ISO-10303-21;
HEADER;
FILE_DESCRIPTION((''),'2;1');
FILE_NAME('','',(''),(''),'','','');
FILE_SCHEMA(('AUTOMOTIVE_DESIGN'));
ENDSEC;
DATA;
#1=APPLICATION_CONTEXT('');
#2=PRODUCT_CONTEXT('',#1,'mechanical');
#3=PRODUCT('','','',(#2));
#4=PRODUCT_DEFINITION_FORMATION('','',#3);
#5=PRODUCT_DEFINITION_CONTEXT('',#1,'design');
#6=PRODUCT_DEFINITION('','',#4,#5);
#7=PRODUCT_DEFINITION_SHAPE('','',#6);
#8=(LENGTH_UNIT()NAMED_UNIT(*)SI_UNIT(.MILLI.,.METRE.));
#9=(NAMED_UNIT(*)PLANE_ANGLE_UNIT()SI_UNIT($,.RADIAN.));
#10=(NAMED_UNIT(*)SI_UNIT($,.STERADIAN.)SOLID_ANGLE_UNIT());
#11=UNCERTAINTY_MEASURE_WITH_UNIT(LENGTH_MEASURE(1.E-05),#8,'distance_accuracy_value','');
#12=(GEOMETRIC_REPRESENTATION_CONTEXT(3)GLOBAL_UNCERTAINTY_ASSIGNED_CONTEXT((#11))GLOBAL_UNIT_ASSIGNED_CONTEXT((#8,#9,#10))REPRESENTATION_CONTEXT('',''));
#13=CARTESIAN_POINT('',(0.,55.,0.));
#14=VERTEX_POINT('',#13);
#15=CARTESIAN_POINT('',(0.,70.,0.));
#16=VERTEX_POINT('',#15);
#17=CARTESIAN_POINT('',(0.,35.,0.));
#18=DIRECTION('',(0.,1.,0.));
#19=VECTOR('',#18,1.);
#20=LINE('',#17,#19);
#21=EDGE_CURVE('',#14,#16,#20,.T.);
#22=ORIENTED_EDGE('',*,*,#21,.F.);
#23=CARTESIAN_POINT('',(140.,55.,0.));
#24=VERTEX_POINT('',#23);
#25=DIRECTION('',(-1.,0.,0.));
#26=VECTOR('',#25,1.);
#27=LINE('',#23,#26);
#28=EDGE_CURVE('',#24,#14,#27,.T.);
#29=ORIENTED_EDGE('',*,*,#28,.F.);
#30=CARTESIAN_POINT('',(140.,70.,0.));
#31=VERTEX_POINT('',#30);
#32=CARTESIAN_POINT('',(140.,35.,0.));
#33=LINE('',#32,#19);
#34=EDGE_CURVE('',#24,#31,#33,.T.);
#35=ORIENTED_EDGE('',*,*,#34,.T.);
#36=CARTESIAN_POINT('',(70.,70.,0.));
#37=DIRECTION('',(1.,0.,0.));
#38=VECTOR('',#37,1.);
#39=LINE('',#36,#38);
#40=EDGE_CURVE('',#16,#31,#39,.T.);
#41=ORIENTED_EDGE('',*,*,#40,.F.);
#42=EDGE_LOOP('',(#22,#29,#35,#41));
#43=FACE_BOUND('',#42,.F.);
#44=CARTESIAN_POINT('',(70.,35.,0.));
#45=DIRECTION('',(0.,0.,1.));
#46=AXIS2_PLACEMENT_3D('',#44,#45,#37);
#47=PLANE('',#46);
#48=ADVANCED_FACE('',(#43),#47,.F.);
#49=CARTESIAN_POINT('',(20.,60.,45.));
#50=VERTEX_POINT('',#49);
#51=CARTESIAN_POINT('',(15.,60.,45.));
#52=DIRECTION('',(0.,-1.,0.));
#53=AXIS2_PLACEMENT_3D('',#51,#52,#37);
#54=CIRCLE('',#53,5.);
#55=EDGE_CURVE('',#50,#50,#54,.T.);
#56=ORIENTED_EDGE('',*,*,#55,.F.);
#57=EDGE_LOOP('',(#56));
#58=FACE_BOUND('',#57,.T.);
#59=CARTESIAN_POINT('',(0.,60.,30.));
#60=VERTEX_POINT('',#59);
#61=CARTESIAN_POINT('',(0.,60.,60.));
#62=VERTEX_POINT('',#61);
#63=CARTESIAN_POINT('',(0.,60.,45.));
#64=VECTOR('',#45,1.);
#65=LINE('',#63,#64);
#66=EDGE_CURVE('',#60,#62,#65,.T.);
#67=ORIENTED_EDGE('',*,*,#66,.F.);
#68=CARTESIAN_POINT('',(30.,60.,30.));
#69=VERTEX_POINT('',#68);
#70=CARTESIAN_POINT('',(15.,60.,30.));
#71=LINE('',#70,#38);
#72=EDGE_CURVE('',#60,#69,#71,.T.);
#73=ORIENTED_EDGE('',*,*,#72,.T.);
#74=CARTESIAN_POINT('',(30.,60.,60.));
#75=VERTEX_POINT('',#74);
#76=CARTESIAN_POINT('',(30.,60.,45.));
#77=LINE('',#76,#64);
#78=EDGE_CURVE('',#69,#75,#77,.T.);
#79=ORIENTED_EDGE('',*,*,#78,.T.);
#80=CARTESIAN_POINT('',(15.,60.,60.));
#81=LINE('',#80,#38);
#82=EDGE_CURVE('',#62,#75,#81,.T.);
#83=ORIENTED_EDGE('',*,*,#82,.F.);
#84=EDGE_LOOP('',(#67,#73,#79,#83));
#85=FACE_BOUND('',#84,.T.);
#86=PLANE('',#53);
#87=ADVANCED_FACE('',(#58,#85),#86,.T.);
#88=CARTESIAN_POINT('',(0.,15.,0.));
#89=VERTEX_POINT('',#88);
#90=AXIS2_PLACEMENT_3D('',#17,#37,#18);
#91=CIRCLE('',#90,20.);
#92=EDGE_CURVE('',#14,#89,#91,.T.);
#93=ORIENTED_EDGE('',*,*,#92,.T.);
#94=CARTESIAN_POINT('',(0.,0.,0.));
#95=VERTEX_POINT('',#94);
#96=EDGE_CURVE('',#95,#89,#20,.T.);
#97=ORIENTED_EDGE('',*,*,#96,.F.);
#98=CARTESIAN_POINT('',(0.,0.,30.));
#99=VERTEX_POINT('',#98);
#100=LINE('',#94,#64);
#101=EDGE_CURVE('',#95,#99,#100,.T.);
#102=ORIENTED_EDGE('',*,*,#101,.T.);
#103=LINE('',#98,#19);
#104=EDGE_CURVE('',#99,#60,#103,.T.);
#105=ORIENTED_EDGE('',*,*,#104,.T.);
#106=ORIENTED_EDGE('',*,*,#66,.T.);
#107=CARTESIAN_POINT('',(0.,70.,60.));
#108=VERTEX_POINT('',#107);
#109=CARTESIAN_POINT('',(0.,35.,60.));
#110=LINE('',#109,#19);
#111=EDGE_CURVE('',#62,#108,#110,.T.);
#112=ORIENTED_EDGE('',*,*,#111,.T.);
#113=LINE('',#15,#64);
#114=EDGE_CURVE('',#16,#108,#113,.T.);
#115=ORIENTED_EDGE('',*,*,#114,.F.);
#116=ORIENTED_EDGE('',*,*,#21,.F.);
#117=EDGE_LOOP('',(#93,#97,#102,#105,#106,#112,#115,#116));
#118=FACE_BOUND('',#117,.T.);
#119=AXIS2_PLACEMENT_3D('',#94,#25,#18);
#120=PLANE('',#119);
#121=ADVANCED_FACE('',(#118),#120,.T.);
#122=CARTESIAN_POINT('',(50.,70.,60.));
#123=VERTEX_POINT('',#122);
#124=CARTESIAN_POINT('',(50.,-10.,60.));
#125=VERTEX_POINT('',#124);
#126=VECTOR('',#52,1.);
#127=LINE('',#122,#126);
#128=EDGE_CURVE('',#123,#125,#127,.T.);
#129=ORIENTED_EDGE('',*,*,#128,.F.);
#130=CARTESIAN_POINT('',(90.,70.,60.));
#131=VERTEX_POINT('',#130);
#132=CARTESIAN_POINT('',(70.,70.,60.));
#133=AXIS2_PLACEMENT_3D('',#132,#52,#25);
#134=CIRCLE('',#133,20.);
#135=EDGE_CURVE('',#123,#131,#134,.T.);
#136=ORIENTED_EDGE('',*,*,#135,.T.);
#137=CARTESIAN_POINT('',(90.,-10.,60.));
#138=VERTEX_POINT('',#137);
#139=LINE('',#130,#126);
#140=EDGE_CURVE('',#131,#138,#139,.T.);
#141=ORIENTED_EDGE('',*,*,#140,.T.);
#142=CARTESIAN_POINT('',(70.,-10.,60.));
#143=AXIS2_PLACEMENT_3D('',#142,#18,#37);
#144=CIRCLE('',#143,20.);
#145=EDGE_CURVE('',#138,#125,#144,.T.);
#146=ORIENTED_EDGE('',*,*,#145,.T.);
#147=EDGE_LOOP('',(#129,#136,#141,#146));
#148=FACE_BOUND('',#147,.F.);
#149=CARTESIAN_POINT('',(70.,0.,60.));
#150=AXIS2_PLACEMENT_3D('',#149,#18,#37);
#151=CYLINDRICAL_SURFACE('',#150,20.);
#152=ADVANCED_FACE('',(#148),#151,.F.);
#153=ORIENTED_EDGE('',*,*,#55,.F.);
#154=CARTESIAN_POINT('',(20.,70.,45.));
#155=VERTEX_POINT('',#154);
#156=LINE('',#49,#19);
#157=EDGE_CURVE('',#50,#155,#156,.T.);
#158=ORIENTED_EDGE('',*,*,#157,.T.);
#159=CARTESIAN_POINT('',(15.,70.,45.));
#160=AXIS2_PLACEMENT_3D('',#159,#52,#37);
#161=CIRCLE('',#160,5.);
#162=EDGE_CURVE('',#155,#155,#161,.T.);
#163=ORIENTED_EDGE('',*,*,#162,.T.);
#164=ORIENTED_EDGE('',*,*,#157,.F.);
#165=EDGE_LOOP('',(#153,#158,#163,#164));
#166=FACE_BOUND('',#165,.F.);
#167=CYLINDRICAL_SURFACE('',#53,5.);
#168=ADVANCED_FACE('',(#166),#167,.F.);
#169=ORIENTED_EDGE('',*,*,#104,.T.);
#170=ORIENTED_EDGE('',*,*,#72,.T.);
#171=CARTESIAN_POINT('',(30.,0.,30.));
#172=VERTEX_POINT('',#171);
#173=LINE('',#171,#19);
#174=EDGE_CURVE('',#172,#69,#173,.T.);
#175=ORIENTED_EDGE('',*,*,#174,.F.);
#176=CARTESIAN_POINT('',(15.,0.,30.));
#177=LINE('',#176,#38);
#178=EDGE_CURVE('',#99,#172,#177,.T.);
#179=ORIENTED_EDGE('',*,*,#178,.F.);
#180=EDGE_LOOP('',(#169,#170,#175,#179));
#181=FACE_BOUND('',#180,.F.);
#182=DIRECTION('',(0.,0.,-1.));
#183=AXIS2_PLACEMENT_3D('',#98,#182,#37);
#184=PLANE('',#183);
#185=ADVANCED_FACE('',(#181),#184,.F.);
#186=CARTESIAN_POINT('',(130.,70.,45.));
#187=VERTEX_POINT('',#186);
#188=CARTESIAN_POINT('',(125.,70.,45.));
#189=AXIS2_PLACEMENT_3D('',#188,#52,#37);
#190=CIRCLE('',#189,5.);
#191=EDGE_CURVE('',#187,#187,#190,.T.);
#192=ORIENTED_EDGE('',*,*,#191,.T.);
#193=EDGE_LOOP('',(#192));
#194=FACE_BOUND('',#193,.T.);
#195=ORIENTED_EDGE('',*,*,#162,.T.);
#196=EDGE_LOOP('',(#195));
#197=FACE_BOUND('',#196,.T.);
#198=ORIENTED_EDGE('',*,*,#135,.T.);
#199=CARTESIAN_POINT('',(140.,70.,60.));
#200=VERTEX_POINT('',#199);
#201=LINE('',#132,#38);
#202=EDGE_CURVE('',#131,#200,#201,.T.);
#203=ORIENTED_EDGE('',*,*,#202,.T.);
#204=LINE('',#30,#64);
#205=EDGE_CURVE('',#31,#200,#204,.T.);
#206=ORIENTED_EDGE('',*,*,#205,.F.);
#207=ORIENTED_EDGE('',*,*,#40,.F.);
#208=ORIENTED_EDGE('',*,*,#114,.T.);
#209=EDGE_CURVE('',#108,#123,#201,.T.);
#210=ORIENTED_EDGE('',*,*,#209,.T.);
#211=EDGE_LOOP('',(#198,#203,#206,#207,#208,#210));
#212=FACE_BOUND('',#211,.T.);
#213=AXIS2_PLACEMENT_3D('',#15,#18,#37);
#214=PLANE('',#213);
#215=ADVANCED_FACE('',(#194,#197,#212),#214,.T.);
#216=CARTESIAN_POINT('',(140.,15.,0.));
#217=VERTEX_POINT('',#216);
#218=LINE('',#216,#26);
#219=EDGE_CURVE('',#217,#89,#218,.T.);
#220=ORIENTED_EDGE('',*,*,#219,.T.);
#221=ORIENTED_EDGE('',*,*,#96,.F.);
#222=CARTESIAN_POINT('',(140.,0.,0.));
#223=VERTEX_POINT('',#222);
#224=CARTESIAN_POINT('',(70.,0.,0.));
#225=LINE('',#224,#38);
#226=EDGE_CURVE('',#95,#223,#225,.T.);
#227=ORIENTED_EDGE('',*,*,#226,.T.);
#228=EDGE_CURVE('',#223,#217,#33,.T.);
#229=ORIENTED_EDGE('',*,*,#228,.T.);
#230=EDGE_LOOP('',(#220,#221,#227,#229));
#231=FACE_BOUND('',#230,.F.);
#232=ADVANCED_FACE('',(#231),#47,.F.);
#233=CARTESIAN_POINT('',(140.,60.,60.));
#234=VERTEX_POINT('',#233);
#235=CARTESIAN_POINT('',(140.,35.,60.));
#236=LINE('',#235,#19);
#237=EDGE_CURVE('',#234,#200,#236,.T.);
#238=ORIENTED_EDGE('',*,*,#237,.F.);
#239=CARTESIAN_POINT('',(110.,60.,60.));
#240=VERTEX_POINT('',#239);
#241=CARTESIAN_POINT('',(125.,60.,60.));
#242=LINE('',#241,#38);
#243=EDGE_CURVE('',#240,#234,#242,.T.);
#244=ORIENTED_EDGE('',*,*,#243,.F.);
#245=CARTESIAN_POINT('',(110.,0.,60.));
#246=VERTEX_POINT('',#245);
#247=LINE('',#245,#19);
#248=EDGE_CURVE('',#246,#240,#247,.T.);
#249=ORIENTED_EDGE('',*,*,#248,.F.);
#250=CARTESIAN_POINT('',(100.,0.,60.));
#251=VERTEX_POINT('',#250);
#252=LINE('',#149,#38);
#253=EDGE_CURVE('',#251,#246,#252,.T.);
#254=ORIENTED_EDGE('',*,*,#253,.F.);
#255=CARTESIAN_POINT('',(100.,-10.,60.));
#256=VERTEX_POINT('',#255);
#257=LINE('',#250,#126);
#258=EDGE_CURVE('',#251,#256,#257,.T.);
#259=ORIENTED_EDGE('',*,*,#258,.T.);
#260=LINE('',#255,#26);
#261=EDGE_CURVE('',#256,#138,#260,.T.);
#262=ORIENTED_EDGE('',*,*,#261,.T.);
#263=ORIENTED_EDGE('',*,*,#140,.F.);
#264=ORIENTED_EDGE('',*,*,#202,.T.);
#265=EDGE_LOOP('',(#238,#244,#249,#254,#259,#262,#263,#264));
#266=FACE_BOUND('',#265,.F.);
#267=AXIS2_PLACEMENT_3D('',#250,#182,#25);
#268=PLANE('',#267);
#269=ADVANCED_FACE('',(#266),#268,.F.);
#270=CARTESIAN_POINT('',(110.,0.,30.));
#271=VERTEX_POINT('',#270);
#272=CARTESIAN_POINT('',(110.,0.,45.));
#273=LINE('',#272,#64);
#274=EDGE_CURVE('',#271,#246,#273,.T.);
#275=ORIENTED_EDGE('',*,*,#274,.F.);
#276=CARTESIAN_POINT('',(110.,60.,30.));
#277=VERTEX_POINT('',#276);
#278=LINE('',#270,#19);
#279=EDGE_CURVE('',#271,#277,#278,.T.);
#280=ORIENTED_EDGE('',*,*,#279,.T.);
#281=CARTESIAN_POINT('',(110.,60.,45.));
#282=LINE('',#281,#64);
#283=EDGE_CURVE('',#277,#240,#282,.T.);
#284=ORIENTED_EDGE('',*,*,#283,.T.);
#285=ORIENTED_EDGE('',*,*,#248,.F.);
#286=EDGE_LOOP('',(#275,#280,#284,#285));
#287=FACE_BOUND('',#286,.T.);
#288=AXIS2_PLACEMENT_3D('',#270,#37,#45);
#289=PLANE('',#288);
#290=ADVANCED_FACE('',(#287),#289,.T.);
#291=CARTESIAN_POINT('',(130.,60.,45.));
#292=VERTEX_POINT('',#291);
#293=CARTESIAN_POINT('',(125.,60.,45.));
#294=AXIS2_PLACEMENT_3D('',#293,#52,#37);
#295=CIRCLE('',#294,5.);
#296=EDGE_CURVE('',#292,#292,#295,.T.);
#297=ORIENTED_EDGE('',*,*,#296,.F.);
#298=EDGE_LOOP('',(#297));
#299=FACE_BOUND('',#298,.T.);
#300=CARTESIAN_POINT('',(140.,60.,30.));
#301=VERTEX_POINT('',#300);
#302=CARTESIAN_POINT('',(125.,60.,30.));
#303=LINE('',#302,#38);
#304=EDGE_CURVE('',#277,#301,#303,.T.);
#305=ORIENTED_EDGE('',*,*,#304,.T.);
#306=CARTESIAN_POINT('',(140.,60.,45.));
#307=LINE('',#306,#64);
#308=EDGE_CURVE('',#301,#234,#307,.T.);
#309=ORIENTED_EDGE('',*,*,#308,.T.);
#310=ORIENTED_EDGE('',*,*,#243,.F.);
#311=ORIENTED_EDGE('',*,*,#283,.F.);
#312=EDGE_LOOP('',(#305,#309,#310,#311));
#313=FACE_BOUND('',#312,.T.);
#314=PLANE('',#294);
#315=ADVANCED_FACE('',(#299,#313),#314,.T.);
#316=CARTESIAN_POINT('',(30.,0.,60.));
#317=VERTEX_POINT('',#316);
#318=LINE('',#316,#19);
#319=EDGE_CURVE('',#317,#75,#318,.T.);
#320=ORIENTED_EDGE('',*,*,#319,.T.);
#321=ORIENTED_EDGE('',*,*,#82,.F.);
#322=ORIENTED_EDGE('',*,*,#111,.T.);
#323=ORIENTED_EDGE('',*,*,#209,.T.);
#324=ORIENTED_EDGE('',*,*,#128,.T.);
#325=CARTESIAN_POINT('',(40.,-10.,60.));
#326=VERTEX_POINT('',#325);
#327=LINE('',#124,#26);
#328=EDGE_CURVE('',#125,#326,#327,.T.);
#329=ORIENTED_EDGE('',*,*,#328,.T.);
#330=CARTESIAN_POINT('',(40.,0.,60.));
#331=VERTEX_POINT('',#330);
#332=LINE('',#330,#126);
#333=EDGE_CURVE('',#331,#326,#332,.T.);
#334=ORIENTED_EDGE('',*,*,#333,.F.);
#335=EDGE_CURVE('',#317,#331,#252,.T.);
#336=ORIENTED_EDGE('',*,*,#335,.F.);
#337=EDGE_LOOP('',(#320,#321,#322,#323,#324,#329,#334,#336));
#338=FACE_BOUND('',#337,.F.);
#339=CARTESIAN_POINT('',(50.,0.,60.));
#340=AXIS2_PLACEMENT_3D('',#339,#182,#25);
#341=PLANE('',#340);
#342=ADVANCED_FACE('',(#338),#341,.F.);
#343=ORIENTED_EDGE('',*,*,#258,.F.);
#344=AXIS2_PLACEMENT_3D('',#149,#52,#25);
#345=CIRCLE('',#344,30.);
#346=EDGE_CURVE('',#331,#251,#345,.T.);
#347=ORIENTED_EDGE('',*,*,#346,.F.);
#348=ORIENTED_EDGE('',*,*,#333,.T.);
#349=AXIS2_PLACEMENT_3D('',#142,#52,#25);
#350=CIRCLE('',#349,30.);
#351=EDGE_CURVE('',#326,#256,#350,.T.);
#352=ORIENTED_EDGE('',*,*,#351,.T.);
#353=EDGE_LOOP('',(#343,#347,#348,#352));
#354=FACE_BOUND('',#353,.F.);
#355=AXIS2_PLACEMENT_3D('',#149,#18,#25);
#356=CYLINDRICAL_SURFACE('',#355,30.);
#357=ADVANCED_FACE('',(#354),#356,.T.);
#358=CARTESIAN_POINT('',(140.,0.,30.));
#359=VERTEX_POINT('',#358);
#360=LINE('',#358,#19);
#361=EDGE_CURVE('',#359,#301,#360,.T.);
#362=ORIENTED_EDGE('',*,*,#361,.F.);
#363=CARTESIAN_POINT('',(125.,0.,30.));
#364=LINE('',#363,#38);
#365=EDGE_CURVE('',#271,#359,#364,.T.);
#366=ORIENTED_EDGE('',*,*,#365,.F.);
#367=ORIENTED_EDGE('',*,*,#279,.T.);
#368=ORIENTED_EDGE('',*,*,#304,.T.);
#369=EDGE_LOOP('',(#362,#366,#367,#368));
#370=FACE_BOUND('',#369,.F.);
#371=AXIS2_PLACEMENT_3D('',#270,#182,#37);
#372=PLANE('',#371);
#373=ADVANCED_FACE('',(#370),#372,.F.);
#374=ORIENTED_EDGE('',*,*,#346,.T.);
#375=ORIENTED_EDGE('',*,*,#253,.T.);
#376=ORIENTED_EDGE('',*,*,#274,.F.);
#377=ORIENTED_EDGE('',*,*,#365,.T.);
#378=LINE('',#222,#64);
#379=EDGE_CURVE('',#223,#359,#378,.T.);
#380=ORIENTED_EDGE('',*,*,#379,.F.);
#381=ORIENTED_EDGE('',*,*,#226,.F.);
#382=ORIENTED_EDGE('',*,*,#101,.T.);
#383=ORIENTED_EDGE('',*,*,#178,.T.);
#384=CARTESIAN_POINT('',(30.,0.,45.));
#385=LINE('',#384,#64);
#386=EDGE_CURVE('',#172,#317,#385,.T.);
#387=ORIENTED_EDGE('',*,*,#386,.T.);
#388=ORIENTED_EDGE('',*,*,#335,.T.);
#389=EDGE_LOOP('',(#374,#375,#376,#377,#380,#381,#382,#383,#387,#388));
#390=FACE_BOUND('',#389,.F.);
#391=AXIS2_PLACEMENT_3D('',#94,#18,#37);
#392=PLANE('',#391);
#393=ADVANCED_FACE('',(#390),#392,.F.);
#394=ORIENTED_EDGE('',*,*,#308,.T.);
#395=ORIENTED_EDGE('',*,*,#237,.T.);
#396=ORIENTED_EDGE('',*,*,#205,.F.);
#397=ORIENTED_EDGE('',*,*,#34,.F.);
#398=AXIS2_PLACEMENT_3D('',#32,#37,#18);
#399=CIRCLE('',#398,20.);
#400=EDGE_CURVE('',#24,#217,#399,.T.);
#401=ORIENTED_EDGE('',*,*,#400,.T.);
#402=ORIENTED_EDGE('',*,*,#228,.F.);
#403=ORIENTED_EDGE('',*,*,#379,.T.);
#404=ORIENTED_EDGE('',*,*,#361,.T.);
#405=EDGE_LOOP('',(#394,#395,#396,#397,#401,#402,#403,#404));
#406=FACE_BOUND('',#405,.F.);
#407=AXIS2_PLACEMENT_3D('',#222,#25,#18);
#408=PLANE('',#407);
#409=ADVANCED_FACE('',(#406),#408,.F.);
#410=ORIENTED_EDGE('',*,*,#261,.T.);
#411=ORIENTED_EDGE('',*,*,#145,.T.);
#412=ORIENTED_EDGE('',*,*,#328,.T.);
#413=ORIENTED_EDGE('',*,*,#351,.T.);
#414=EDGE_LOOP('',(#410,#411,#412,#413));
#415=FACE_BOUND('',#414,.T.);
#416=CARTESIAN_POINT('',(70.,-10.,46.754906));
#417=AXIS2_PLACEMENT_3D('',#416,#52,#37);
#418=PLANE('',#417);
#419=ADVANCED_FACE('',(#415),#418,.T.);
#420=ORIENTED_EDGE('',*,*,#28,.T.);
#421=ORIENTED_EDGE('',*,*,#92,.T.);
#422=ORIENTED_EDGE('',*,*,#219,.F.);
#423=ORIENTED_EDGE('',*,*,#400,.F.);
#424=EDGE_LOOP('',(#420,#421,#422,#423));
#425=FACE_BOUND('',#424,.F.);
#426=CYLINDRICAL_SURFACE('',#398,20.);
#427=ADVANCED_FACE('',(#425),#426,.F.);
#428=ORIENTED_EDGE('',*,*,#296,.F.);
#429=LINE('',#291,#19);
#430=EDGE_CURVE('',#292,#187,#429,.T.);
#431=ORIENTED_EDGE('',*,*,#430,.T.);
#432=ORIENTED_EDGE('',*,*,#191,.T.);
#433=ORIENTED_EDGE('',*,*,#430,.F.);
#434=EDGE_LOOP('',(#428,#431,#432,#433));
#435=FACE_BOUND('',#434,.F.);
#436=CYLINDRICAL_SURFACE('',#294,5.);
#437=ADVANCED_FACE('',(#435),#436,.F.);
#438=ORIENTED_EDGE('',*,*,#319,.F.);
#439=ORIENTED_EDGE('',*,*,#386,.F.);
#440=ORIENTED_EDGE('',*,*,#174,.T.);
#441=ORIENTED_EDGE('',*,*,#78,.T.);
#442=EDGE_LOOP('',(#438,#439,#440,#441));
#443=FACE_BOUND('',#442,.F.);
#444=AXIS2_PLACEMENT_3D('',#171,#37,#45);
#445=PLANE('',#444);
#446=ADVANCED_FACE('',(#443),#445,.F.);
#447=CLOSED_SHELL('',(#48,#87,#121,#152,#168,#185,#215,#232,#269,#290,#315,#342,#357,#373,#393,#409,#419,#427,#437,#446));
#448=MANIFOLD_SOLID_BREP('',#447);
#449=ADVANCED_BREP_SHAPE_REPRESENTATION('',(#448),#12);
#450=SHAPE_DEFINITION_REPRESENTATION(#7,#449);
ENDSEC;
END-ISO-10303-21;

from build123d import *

# Parameters (mm, degrees)
F0_W      = 140
F0_H      = 70
F1_DEPTH  = 60
F2_W      = 30
F2_H      = 30
F3_DEPTH  = 60
F4_DEPTH  = 60
F5_R      = 5
F6_DEPTH  = 10
F8_DEPTH  = 70
F10_DEPTH = 140
F11_DEPTH = 10


with BuildPart() as f1:
    # F0 (on Top) → F1 (new body)
    with BuildSketch(Plane.XY):
        with Locations((70, 35)):
            Rectangle(F0_W, F0_H)
    extrude(amount=F1_DEPTH)

    # F2 (on face) → F3 (cut)
    with BuildSketch(Plane.XZ):
        with Locations((15, 45)):
            Rectangle(F2_W, F2_H)
    extrude(amount=-F3_DEPTH, mode=Mode.SUBTRACT)

    # F2 (on face) → F4 (cut)
    with BuildSketch(Plane.XZ):
        with Locations((125, 45)):
            Rectangle(F2_W, F2_H)
    extrude(amount=-F4_DEPTH, mode=Mode.SUBTRACT)

    # F5 (on face) → F6 (cut, through all)
    with BuildSketch(Plane.XZ.offset(-60)):
        with Locations((15, 45)):
            Circle(F5_R)
        with Locations((125, 45)):
            Circle(F5_R)
    extrude(amount=-F6_DEPTH, mode=Mode.SUBTRACT)

    # F7 (on face) → F8 (cut, through all)
    with BuildSketch(Plane.XZ):
        with BuildLine():
            ThreePointArc((50, 60), (70, 40), (90, 60))
            Line((90, 60), (50, 60))
        make_face()
    extrude(amount=-F8_DEPTH, mode=Mode.SUBTRACT)

    # F9 (on face) → F10 (cut, through all)
    with BuildSketch(Plane.YZ.offset(140)):
        with BuildLine():
            Line((15, 0), (55, 0))
            ThreePointArc((55, 0), (35, 20), (15, 0))
        make_face()
    extrude(amount=-F10_DEPTH, mode=Mode.SUBTRACT)

    # F7 (on face) → F11 (join)
    with BuildSketch(Plane.XZ):
        with BuildLine():
            Line((100, 60), (90, 60))
            ThreePointArc((90, 60), (70, 40), (50, 60))
            Line((50, 60), (40, 60))
            ThreePointArc((40, 60), (70, 30), (100, 60))
        make_face()
    extrude(amount=F11_DEPTH)


solid = f1.part
